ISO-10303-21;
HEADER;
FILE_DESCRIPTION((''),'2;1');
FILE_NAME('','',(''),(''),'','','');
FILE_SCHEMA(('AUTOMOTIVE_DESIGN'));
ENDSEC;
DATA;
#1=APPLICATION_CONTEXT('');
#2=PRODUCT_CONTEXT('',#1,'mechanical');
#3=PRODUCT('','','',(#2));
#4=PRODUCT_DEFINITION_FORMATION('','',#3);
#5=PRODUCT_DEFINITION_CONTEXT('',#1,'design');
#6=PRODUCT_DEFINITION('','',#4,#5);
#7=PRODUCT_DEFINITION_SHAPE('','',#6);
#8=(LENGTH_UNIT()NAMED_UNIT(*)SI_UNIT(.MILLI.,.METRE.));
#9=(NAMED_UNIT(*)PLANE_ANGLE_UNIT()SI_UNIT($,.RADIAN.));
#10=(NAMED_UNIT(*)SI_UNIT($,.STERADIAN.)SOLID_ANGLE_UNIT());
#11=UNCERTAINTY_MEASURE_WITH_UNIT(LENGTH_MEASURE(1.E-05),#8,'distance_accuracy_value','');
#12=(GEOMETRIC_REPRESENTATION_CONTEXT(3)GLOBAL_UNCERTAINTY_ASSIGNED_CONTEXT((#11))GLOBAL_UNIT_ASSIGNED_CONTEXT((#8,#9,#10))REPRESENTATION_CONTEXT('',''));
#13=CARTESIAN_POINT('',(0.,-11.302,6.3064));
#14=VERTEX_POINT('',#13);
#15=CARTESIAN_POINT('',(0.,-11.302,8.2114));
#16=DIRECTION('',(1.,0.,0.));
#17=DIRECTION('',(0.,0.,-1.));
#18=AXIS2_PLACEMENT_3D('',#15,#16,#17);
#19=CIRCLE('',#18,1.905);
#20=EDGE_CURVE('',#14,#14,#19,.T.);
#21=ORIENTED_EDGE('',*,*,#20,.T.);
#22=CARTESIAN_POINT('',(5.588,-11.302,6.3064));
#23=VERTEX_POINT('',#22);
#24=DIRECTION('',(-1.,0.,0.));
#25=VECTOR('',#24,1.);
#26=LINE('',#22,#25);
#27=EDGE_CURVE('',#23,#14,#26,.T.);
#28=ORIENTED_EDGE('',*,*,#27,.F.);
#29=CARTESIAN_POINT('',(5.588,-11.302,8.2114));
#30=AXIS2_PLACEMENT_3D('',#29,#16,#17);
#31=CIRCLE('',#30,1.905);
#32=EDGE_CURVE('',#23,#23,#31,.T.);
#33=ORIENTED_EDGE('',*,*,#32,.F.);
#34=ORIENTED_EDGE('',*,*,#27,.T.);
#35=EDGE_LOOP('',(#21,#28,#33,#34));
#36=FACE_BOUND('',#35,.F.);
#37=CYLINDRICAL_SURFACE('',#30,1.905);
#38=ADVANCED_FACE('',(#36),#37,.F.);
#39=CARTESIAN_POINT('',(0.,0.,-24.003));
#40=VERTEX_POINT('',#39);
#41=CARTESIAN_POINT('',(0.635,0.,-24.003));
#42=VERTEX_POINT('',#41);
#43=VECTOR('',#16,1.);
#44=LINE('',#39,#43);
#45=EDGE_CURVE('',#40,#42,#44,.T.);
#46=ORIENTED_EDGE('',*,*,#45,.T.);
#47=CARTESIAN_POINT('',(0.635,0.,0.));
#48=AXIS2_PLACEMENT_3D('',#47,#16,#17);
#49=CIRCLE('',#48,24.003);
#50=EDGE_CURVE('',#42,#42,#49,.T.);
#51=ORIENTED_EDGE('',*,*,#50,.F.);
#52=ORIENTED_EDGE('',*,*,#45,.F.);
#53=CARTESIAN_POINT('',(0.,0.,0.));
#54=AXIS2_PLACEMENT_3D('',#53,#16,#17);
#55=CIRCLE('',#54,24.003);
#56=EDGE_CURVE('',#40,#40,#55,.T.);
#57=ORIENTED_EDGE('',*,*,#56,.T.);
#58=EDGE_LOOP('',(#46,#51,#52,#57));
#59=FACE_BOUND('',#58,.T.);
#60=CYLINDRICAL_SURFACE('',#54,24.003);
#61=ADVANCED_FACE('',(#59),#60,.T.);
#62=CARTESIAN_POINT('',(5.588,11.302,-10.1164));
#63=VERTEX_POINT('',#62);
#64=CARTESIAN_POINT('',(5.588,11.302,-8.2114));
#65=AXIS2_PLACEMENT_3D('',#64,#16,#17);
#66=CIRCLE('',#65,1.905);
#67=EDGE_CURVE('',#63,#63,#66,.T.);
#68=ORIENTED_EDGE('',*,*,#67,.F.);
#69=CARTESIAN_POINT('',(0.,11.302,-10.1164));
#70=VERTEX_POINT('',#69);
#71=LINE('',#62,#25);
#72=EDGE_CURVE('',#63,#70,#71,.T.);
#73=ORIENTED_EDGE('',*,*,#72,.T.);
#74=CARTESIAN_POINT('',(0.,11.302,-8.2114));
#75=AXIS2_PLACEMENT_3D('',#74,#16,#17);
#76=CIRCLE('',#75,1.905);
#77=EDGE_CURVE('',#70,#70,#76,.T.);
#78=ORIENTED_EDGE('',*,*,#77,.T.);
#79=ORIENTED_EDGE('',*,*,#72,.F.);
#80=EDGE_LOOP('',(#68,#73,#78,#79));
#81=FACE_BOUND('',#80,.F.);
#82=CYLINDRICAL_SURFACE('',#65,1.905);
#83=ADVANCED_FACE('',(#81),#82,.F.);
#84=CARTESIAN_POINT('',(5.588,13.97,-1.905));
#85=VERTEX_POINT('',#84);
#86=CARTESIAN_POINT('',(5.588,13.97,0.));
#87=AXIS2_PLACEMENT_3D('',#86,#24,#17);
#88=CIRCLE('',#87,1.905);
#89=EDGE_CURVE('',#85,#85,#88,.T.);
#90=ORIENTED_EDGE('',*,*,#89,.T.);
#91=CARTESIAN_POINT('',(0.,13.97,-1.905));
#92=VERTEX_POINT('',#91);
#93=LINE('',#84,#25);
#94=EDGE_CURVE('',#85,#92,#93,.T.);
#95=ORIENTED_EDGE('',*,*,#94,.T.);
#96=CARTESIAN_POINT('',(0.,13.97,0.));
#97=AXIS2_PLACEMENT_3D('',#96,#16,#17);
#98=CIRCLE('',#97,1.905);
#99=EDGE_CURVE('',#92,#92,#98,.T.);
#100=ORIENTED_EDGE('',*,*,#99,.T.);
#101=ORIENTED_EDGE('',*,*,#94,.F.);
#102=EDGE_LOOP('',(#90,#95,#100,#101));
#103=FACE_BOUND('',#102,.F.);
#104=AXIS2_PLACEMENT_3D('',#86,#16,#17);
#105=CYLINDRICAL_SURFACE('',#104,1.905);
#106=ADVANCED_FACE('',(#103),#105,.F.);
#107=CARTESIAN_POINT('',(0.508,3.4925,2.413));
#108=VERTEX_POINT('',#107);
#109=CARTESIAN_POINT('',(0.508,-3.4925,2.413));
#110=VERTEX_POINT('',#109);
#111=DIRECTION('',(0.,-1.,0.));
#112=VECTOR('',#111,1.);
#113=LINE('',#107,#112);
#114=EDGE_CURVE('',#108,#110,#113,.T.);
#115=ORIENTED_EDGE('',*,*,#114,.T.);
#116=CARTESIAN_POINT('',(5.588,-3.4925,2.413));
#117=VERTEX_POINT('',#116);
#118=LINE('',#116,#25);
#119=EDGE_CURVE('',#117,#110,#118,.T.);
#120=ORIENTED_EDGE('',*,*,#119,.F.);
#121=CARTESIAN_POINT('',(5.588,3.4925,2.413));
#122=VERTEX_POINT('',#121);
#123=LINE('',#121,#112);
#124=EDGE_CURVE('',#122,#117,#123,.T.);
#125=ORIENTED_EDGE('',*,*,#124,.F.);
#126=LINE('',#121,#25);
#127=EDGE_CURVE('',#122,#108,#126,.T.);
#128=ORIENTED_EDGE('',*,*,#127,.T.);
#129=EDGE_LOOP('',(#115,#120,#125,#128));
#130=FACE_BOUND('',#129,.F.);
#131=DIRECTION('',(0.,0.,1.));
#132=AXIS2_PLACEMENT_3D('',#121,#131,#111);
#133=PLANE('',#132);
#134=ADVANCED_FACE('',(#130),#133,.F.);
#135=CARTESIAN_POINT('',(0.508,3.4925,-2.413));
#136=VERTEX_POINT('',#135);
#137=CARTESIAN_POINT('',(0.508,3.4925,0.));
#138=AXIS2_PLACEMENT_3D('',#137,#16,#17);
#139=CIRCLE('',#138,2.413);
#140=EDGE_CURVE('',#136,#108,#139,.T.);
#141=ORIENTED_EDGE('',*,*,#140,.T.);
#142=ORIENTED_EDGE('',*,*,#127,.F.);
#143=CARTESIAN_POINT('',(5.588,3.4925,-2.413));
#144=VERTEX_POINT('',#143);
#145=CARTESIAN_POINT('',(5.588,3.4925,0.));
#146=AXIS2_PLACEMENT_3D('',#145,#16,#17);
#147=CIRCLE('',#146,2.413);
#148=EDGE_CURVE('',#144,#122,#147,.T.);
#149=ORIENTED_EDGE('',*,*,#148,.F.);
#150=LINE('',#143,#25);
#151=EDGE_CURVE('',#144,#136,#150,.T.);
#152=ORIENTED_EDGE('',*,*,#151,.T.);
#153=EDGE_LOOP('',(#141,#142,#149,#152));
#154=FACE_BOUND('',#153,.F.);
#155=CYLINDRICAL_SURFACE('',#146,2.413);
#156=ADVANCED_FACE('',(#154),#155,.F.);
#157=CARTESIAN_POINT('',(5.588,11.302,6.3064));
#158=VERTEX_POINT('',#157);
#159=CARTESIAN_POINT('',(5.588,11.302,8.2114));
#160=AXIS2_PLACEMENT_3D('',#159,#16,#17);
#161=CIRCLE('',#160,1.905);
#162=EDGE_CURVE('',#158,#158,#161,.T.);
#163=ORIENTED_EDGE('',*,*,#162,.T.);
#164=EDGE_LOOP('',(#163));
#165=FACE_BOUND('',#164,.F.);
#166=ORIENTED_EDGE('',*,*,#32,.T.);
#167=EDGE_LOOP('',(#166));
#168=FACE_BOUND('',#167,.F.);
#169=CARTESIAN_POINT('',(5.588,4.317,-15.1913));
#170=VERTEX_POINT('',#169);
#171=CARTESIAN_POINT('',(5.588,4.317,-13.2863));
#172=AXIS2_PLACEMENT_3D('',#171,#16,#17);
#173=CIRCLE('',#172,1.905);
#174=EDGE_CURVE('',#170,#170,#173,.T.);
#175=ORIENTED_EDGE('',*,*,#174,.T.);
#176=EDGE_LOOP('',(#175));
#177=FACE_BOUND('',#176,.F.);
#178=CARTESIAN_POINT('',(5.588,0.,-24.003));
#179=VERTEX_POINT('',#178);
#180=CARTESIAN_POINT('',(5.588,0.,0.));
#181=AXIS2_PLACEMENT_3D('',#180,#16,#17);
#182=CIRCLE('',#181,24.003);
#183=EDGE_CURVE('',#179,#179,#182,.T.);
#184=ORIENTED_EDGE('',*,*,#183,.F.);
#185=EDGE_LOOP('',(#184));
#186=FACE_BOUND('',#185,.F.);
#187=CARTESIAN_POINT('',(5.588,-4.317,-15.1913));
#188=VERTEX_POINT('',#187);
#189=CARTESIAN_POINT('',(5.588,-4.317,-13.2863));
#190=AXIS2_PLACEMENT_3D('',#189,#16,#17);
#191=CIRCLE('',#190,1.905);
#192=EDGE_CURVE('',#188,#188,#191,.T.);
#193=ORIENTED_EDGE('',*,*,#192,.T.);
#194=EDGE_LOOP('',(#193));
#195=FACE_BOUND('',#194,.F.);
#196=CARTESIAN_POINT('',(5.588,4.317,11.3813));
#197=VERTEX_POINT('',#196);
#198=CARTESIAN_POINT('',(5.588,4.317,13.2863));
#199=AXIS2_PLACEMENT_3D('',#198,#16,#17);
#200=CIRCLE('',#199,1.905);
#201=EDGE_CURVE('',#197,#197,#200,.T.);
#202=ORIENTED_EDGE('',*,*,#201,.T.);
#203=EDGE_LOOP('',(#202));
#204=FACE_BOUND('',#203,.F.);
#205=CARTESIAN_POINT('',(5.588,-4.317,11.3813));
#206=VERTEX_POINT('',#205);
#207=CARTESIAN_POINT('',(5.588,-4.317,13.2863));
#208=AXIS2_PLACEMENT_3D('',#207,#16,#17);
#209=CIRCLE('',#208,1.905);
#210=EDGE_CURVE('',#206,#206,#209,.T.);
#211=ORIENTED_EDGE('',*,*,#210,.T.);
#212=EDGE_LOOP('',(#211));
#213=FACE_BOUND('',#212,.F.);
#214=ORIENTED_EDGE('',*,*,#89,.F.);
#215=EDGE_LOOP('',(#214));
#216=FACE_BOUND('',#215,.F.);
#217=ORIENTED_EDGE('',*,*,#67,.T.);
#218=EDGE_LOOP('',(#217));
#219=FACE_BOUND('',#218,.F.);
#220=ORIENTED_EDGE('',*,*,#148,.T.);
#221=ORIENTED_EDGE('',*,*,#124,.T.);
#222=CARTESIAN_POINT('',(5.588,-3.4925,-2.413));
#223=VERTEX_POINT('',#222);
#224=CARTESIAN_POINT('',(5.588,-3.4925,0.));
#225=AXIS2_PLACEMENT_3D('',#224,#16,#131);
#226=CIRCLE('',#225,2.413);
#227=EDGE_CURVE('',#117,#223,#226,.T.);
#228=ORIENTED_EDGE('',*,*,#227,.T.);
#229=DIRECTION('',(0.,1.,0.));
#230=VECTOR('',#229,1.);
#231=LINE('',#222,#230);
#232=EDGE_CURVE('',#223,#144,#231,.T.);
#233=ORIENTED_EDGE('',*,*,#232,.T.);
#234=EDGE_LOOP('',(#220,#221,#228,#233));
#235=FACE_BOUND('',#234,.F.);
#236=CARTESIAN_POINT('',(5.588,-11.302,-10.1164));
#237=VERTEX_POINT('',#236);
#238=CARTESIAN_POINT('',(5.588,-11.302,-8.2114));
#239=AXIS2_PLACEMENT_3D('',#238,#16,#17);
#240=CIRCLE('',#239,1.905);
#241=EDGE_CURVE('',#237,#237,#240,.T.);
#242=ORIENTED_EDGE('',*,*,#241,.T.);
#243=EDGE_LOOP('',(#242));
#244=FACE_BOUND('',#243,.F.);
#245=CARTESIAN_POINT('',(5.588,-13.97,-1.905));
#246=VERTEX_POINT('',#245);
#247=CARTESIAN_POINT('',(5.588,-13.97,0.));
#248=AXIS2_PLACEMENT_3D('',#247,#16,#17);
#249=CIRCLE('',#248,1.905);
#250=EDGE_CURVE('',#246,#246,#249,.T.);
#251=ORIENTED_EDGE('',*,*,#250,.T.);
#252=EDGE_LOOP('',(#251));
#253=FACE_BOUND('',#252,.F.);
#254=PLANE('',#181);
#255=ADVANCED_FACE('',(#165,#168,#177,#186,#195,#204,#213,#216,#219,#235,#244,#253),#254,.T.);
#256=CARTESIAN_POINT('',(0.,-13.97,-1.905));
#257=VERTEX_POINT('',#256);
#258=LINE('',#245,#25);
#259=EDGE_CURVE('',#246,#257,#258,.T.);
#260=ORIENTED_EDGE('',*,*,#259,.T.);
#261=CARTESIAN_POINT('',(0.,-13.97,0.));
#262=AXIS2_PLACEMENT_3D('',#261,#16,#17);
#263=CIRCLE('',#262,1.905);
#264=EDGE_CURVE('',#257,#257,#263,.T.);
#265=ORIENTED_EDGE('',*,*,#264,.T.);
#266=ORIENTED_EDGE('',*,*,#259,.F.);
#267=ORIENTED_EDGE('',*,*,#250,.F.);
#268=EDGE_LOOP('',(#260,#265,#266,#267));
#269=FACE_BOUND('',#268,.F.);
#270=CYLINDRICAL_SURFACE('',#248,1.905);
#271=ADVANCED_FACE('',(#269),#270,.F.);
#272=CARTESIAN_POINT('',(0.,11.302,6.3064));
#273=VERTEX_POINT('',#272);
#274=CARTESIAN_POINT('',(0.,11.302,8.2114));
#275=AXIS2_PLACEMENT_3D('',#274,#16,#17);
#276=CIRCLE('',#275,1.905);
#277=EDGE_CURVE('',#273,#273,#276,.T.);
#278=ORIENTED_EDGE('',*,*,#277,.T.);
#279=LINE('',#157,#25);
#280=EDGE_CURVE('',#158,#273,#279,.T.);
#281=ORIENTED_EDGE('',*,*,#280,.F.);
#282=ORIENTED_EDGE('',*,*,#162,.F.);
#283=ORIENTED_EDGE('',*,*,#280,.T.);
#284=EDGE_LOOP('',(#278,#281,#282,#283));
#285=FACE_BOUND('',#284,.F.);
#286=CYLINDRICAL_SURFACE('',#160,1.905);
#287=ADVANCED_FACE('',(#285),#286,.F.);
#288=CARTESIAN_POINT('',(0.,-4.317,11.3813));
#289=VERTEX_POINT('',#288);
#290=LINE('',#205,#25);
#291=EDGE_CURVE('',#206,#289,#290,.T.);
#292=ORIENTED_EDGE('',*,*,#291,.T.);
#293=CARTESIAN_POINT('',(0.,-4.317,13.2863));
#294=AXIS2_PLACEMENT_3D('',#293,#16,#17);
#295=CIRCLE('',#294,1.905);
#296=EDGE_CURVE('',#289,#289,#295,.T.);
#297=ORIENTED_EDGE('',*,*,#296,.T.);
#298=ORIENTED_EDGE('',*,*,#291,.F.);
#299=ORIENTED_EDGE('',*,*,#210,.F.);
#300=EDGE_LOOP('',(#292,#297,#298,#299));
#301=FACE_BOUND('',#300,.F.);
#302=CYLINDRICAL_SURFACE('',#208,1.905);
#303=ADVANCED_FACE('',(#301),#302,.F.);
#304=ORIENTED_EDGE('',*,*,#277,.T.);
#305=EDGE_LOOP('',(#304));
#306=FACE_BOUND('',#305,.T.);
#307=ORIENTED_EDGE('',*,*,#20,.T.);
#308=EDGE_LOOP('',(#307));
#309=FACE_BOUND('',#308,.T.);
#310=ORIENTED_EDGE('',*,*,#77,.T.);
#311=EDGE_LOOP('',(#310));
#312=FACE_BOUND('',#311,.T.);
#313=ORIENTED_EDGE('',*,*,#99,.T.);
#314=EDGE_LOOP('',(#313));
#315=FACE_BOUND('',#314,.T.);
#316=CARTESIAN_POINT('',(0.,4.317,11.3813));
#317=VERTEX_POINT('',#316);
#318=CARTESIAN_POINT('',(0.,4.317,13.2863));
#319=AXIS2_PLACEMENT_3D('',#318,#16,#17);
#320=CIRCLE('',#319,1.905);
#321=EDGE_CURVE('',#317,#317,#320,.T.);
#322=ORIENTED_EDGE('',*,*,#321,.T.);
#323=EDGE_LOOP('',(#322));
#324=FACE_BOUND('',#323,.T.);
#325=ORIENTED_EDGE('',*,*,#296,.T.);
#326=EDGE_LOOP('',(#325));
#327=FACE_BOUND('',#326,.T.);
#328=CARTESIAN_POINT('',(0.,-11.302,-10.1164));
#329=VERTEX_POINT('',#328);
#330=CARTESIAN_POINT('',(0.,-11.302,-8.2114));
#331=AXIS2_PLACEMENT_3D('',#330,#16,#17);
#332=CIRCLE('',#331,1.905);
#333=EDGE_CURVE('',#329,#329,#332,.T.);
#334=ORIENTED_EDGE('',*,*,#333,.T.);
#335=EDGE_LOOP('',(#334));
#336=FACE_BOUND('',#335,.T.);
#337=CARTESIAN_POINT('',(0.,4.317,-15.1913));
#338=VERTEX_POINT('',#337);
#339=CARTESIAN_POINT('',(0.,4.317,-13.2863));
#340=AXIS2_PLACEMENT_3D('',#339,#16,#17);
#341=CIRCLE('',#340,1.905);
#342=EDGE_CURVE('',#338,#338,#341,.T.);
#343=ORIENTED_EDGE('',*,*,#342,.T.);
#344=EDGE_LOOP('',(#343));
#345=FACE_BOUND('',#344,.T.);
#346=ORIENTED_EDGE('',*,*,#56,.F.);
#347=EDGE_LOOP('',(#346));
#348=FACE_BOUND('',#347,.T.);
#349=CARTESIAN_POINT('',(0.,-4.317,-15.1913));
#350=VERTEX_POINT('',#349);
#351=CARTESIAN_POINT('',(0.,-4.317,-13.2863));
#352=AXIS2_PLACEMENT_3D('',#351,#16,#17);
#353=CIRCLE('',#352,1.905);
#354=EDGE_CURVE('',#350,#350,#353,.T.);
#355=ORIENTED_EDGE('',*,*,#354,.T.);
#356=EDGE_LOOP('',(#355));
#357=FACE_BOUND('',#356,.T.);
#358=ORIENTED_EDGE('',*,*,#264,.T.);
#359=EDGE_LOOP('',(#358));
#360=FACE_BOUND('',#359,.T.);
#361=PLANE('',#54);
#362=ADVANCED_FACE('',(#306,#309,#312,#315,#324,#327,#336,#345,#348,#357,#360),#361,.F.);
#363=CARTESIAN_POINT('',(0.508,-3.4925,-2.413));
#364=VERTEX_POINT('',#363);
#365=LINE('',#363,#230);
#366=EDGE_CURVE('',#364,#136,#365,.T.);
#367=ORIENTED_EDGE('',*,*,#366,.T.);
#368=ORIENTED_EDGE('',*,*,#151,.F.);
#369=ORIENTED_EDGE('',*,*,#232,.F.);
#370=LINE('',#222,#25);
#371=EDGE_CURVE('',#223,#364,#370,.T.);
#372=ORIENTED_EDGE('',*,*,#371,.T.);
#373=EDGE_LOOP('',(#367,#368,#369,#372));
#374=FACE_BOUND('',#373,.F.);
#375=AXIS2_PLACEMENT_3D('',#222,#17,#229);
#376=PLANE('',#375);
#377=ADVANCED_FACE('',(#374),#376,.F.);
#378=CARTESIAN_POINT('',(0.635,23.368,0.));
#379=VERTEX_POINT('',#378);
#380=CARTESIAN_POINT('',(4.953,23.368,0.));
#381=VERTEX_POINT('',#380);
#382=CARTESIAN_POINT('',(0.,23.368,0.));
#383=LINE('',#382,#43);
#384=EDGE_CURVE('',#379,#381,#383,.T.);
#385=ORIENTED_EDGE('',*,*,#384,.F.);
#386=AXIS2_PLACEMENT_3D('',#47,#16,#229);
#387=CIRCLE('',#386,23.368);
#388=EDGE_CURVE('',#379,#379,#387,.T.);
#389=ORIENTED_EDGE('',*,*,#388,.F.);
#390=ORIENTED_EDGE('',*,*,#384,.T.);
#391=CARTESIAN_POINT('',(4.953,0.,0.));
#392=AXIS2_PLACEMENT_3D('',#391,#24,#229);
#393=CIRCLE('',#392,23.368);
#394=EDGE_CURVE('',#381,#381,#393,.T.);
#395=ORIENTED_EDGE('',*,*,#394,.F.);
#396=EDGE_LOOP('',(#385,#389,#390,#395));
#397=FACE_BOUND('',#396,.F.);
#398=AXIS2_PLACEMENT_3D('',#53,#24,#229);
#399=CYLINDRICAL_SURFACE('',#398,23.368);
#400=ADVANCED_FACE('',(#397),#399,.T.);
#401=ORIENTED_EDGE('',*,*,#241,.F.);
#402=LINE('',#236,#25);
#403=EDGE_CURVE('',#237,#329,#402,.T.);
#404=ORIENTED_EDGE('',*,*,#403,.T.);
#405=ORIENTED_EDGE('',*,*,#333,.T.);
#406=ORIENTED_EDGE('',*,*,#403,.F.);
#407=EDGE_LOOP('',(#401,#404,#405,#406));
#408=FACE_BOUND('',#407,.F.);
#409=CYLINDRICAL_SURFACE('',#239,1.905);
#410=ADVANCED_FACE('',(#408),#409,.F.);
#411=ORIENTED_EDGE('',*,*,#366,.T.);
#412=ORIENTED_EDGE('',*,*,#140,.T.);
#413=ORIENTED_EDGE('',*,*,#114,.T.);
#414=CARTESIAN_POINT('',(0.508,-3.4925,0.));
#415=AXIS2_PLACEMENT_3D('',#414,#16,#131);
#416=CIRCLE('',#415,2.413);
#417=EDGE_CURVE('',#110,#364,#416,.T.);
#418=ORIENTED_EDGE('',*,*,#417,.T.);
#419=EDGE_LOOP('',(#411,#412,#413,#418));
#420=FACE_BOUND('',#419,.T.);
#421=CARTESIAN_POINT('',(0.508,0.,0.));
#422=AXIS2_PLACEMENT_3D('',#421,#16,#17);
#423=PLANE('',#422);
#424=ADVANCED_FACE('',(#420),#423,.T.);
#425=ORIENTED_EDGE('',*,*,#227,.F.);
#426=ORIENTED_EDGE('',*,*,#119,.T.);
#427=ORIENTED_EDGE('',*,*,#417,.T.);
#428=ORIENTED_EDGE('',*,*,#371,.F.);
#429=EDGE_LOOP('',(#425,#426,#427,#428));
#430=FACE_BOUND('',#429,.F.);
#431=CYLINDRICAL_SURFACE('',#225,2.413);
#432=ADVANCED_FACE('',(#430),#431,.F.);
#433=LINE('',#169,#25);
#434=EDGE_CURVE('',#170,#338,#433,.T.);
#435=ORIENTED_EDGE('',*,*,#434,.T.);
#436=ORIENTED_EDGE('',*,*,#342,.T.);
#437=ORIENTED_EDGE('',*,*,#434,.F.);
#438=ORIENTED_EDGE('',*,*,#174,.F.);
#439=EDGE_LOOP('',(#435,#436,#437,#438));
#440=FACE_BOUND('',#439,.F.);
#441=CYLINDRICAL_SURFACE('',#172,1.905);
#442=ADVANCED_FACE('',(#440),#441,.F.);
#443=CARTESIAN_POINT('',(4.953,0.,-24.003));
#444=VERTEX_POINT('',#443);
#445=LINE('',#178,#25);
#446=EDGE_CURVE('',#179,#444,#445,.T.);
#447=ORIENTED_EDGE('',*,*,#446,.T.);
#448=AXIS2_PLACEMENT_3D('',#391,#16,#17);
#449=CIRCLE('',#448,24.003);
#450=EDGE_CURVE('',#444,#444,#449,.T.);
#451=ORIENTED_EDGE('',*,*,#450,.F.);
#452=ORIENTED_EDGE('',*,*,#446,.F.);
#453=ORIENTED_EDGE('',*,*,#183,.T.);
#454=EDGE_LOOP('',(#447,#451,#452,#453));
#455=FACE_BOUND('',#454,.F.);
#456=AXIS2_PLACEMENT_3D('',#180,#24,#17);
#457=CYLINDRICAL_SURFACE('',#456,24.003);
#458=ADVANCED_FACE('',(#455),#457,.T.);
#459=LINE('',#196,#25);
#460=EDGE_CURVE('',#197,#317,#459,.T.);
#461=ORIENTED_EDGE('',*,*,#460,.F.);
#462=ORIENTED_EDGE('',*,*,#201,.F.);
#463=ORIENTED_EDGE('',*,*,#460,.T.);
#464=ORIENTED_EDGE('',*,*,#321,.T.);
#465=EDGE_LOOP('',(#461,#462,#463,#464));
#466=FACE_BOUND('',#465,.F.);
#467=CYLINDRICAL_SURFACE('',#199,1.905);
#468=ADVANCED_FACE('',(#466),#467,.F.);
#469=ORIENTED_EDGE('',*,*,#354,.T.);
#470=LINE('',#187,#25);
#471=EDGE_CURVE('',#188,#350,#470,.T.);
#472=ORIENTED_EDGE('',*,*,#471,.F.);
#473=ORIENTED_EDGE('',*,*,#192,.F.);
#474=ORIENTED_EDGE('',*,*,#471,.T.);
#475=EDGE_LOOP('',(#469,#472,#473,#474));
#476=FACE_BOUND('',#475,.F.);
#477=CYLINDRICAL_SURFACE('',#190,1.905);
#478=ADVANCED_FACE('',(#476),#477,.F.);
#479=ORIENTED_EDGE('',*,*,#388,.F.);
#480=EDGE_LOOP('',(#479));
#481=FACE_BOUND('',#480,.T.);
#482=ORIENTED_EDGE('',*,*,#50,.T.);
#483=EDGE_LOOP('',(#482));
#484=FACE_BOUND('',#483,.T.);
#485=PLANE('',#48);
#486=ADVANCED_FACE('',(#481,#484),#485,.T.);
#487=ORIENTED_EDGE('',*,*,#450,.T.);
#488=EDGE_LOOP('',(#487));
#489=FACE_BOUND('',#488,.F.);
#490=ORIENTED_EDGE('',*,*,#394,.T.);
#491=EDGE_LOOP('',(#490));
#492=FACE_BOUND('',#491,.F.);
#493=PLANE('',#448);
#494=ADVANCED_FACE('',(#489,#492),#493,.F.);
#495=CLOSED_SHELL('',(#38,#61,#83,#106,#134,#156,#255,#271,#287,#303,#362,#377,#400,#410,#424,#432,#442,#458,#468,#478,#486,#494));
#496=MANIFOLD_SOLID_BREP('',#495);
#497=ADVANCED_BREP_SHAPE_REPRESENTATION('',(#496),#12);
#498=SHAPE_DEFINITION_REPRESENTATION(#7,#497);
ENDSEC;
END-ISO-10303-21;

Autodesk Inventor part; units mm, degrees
sketch "Sketch1" plane through (0, 0, 0) normal (1, 0, 0) x (0, 1, 0)
  circle A0 centre (0, 0) radius 23.368
  dimension "d0" = 46.736
extrude "Extrusion1" add sketch "Sketch1" along normal blind 5.588
ref_plane "Work Plane2" through (5.588, 0, 0) normal (1, 0, 0) x (0, 0, -1)
sketch "Sketch3" plane through (5.588, 0, 0) normal (1, 0, 0) x (0, 0, -1)
  line L0 (0, -3.4925) -> (0, 3.4925) construction
  line L1 (2.413, -3.4925) -> (2.413, 3.4925)
  line L2 (-2.413, 3.4925) -> (-2.413, -3.4925)
  arc A0 (-2.413, -3.4925) -> (2.413, -3.4925) centre (0, -3.4925) ccw
  arc A1 (2.413, 3.4925) -> (-2.413, 3.4925) centre (0, 3.4925) ccw
  point P0 (0, 0)
  dimension "d8" = 3.4925
  dimension "d9" = 4.826
extrude "Extrusion2" cut sketch "Sketch3" against normal blind 5.08
ref_plane "Work Plane3" through (5.588, 0, 0) normal (1, 0, 0) x (0, 0, -1)
sketch "Sketch6" plane through (5.588, 0, 0) normal (1, 0, 0) x (0, 0, -1)
  line L0 (0, 0) -> (0, 13.97)
  circle A0 centre (0, 13.97) radius 1.905
  circle A1 centre (-8.2114, 11.302) radius 1.905
  circle A2 centre (-13.2863, 4.317) radius 1.905
  circle A3 centre (-13.2863, -4.317) radius 1.905
  circle A4 centre (-8.2114, -11.302) radius 1.905
  circle A5 centre (0, -13.97) radius 1.905
  circle A6 centre (8.2114, -11.302) radius 1.905
  circle A7 centre (13.2863, -4.317) radius 1.905
  circle A8 centre (13.2863, 4.317) radius 1.905
  circle A9 centre (8.2114, 11.302) radius 1.905
  dimension "d16" = 13.97
  dimension "d17" = 3.81
  dimension "d20" = 360
extrude "Extrusion3" cut sketch "Sketch6" against normal blind 25.4
ref_plane "Work Plane1" through (5.588, 0, 0) normal (1, 0, 0) x (0, 0, -1)
sketch "Sketch7" plane through (5.588, 0, 0) normal (1, 0, 0) x (0, 0, -1)
  line L0 (0, 0) -> (0, -23.749) construction
  circle A0 centre (0, 0) radius 23.749 projected
  dimension "d24" = 23.749
sketch "Sketch8" plane through (0, 0, 0) normal (0, 1, 0) x (-1, 0, 0)
  line L0 (0, -23.368) -> (0, 23.368) projected
  line L1 (0, -23.368) -> (0, -24.003)
  line L2 (0, -24.003) -> (-0.635, -24.003)
  line L3 (-0.635, -24.003) -> (-0.635, -23.368)
  line L4 (-0.635, -23.368) -> (0, -23.368)
  line L5 (0, -23.368) -> (-5.588, -23.368) projected
  line L6 (-0.635, -23.368) -> (0, -23.368)
  line L7 (-5.588, -23.368) -> (-5.588, -24.003)
  line L8 (-5.588, -24.003) -> (-4.953, -24.003)
  line L9 (-4.953, -24.003) -> (-4.953, -23.368)
  line L10 (-4.953, -23.368) -> (-5.588, -23.368)
  line L11 (0, 0) -> (-5.8379, 0)
  dimension "d25" = 0.635
  dimension "d26" = 0.635
  dimension "d27" = 0.635
  dimension "d28" = 0.635
revolve "Revolution2" add sketch "Sketch8" angle 360 about axis through (0, 0, 0) along (1, 0, 0)
properties part number "msheehan_wheel_small"
